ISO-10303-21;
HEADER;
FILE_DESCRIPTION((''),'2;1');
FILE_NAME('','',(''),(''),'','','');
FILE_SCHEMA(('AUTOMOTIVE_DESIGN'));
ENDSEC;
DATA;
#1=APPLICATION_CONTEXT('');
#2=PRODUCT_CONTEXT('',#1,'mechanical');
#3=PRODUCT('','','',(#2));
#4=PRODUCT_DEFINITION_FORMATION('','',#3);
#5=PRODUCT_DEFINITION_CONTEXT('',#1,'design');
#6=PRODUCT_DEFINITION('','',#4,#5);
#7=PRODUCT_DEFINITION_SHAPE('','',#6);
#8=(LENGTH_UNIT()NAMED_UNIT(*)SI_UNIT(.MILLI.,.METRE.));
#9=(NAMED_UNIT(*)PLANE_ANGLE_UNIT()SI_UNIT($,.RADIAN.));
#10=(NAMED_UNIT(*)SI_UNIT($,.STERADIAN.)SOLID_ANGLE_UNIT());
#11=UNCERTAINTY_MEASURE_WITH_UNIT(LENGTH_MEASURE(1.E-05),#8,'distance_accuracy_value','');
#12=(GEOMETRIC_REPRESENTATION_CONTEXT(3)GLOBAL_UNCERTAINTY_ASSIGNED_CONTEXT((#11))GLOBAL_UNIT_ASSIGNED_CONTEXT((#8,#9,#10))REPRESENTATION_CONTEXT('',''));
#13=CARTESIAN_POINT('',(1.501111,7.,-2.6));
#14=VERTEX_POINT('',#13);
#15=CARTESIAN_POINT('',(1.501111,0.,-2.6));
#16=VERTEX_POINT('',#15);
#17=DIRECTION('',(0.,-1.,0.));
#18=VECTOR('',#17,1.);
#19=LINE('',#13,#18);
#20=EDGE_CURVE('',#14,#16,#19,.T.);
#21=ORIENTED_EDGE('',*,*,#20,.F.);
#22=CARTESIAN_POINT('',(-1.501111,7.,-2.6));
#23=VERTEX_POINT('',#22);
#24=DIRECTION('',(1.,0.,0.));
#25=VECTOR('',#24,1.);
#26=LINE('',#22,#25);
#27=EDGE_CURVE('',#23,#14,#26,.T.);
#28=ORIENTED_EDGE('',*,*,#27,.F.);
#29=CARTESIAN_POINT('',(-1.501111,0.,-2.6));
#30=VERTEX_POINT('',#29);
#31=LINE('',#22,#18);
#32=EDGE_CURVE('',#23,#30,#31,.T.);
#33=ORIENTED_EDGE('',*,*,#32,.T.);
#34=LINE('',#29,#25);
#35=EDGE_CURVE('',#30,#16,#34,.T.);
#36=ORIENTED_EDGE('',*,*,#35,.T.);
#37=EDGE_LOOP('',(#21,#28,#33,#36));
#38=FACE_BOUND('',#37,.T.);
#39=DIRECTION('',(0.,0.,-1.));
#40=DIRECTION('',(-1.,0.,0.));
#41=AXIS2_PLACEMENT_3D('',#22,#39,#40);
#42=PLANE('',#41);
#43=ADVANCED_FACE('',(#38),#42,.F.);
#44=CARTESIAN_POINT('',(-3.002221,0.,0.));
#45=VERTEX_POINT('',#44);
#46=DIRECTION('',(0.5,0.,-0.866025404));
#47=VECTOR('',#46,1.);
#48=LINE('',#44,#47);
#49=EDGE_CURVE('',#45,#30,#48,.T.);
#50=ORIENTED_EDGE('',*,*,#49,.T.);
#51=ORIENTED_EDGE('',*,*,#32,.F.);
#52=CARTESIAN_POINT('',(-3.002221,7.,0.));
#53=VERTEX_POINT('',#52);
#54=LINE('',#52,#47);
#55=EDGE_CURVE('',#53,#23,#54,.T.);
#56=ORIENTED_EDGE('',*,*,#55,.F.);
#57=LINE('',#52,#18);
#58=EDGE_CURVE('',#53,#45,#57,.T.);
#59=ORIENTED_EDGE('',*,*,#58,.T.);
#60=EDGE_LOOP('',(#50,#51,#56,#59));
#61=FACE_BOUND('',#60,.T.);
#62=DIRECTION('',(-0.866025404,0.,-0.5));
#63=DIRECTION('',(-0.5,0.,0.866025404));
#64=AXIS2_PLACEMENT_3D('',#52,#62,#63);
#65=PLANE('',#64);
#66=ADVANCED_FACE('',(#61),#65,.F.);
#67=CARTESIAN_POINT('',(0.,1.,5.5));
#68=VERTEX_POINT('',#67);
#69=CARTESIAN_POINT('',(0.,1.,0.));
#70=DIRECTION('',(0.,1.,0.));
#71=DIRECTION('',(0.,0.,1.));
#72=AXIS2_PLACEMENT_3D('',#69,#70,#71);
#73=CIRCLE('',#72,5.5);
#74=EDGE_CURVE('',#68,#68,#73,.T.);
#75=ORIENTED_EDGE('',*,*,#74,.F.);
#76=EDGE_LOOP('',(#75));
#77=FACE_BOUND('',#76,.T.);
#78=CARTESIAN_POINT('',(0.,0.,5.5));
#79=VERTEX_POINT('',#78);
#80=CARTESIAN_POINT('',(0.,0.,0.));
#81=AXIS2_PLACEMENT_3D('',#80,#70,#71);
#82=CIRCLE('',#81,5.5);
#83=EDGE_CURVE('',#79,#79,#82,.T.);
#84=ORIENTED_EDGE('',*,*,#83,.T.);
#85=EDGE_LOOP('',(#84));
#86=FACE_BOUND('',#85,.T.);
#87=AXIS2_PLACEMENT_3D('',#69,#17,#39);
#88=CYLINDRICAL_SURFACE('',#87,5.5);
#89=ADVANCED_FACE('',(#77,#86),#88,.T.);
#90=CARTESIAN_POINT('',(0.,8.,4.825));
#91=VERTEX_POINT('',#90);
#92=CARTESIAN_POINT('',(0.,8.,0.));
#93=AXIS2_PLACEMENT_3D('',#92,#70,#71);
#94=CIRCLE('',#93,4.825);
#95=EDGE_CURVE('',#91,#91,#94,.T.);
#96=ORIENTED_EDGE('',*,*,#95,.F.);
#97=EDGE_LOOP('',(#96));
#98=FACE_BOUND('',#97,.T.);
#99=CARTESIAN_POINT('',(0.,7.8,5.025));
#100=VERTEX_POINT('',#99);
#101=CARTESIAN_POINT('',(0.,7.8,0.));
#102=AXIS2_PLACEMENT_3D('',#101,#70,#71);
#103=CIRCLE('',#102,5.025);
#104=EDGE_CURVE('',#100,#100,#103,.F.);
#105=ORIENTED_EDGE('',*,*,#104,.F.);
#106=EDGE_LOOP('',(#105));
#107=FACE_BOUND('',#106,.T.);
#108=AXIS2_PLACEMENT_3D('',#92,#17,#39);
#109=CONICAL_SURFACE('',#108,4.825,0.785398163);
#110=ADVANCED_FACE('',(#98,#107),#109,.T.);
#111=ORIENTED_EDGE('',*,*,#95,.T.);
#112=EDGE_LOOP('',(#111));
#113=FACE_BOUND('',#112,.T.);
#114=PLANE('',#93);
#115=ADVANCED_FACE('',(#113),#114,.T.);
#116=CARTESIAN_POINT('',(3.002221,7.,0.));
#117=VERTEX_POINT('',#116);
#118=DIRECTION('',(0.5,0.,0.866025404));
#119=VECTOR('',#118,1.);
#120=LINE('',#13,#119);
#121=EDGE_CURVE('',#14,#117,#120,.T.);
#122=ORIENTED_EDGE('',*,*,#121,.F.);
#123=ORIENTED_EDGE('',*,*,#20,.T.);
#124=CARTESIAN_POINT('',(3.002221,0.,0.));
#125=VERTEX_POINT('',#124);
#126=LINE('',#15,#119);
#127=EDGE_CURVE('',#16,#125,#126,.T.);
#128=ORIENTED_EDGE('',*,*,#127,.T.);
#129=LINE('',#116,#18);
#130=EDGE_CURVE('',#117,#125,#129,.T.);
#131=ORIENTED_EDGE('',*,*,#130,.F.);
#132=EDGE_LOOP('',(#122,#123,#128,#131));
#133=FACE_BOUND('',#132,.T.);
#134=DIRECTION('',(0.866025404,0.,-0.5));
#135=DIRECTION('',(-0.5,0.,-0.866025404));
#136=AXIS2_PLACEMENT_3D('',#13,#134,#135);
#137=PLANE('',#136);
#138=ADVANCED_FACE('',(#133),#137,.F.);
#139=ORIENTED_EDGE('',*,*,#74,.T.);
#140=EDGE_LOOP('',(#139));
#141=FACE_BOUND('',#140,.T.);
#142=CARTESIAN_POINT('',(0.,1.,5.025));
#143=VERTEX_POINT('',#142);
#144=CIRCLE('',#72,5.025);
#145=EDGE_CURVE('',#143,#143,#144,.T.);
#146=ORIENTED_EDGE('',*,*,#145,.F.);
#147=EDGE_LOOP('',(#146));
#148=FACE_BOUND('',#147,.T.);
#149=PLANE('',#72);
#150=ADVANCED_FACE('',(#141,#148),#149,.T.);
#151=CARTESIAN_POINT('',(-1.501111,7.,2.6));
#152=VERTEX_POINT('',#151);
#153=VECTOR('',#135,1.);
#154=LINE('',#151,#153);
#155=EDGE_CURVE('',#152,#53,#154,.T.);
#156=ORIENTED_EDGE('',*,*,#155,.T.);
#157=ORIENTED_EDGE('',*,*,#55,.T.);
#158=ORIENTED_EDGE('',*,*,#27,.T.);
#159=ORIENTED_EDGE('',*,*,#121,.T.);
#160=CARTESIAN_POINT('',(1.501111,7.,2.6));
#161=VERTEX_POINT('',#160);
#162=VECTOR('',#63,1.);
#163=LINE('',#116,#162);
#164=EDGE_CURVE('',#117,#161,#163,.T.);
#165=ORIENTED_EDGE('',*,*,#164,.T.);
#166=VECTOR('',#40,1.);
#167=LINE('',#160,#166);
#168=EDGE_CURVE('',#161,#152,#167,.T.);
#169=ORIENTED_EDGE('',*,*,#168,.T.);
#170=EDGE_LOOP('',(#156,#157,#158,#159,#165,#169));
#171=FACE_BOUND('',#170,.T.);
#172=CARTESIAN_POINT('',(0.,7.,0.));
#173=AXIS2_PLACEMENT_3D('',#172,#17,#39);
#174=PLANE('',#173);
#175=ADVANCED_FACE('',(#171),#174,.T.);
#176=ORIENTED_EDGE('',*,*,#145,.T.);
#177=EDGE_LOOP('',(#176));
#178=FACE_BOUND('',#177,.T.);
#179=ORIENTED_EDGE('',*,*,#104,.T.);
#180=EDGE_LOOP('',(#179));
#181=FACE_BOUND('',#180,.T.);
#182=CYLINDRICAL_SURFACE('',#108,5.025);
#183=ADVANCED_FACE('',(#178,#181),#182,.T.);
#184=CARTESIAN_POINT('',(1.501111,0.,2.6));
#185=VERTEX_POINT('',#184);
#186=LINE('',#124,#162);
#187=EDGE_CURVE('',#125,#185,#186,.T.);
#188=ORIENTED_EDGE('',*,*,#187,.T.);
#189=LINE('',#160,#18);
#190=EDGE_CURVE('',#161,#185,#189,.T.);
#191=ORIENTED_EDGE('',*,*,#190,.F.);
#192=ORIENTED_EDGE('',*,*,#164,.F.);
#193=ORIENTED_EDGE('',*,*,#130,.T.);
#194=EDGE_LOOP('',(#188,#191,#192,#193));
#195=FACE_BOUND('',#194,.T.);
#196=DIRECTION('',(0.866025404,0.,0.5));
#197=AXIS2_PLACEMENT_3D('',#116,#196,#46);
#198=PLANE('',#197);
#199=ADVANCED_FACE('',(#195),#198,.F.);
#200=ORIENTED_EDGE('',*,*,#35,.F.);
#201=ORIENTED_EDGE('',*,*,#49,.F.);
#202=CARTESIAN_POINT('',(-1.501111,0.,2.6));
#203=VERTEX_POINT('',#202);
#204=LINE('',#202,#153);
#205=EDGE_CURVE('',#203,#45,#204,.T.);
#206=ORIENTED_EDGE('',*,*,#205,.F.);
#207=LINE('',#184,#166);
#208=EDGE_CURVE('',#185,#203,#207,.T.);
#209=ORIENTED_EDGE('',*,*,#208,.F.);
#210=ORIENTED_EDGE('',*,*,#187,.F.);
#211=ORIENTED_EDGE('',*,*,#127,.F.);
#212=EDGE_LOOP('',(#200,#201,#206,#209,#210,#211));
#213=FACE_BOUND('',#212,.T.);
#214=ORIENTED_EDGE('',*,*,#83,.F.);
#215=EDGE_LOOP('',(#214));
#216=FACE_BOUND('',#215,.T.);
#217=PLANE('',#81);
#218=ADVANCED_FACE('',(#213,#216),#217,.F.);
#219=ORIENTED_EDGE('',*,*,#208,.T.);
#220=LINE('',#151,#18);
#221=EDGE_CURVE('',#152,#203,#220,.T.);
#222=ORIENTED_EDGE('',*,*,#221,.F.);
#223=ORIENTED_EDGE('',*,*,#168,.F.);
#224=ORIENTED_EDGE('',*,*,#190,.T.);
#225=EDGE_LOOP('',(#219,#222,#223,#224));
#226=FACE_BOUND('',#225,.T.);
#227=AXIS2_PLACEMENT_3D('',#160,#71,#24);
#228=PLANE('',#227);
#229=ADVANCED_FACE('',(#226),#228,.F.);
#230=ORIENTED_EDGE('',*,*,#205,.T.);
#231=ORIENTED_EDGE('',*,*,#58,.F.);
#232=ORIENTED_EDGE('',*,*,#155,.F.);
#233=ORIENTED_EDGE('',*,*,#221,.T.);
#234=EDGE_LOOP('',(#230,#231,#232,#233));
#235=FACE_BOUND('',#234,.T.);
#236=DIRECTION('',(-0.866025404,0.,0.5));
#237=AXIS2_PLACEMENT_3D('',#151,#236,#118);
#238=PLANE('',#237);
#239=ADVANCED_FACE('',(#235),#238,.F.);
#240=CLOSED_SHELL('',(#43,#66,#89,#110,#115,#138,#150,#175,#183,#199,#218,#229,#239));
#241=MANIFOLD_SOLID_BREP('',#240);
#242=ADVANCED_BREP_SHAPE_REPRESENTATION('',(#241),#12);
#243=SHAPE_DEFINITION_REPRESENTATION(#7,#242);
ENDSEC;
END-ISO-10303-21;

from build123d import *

# Parameters (mm, degrees)
SKETCH1_R           = 5.5
BOSS_EXTRUDE1_DEPTH = 1
SKETCH2_R           = 5.025
BOSS_EXTRUDE2_DEPTH = 7
CUT_EXTRUDE1_DEPTH  = 7
CHAMFER1_SIZE       = 0.2


with BuildPart() as part:
    # Sketch1 → Boss-Extrude1 (new body)
    with BuildSketch(Plane(origin=(0, 0, 0), x_dir=(1, 0, 0), z_dir=(0, 1, 0))):
        with Locations(Location((0, 0, 0), (0, 0, 270))):
            Circle(SKETCH1_R)
    extrude(amount=BOSS_EXTRUDE1_DEPTH)

    # Sketch2 → Boss-Extrude2 (add)
    with BuildSketch(Plane(origin=(0, 1, 0), x_dir=(1, 0, 0), z_dir=(0, 1, 0))):
        with Locations(Location((0, 0, 0), (0, 0, 270))):
            Circle(SKETCH2_R)
    extrude(amount=BOSS_EXTRUDE2_DEPTH)

    # Sketch3 → Cut-Extrude1 (cut)
    with BuildSketch(Plane.XZ):
        Polygon((3.0022214, 0), (1.5011107, 2.6), (-1.5011107, 2.6), (-3.0022214, 0), (-1.5011107, -2.6), (1.5011107, -2.6), align=None)
    extrude(amount=-CUT_EXTRUDE1_DEPTH, mode=Mode.SUBTRACT)

    # Chamfer1
    chamfer1_edges = [part.edges().sort_by_distance(p)[0] for p in [
        (0, 8, -5.025),
    ]]
    chamfer(chamfer1_edges, length=CHAMFER1_SIZE)


solid = part.part
